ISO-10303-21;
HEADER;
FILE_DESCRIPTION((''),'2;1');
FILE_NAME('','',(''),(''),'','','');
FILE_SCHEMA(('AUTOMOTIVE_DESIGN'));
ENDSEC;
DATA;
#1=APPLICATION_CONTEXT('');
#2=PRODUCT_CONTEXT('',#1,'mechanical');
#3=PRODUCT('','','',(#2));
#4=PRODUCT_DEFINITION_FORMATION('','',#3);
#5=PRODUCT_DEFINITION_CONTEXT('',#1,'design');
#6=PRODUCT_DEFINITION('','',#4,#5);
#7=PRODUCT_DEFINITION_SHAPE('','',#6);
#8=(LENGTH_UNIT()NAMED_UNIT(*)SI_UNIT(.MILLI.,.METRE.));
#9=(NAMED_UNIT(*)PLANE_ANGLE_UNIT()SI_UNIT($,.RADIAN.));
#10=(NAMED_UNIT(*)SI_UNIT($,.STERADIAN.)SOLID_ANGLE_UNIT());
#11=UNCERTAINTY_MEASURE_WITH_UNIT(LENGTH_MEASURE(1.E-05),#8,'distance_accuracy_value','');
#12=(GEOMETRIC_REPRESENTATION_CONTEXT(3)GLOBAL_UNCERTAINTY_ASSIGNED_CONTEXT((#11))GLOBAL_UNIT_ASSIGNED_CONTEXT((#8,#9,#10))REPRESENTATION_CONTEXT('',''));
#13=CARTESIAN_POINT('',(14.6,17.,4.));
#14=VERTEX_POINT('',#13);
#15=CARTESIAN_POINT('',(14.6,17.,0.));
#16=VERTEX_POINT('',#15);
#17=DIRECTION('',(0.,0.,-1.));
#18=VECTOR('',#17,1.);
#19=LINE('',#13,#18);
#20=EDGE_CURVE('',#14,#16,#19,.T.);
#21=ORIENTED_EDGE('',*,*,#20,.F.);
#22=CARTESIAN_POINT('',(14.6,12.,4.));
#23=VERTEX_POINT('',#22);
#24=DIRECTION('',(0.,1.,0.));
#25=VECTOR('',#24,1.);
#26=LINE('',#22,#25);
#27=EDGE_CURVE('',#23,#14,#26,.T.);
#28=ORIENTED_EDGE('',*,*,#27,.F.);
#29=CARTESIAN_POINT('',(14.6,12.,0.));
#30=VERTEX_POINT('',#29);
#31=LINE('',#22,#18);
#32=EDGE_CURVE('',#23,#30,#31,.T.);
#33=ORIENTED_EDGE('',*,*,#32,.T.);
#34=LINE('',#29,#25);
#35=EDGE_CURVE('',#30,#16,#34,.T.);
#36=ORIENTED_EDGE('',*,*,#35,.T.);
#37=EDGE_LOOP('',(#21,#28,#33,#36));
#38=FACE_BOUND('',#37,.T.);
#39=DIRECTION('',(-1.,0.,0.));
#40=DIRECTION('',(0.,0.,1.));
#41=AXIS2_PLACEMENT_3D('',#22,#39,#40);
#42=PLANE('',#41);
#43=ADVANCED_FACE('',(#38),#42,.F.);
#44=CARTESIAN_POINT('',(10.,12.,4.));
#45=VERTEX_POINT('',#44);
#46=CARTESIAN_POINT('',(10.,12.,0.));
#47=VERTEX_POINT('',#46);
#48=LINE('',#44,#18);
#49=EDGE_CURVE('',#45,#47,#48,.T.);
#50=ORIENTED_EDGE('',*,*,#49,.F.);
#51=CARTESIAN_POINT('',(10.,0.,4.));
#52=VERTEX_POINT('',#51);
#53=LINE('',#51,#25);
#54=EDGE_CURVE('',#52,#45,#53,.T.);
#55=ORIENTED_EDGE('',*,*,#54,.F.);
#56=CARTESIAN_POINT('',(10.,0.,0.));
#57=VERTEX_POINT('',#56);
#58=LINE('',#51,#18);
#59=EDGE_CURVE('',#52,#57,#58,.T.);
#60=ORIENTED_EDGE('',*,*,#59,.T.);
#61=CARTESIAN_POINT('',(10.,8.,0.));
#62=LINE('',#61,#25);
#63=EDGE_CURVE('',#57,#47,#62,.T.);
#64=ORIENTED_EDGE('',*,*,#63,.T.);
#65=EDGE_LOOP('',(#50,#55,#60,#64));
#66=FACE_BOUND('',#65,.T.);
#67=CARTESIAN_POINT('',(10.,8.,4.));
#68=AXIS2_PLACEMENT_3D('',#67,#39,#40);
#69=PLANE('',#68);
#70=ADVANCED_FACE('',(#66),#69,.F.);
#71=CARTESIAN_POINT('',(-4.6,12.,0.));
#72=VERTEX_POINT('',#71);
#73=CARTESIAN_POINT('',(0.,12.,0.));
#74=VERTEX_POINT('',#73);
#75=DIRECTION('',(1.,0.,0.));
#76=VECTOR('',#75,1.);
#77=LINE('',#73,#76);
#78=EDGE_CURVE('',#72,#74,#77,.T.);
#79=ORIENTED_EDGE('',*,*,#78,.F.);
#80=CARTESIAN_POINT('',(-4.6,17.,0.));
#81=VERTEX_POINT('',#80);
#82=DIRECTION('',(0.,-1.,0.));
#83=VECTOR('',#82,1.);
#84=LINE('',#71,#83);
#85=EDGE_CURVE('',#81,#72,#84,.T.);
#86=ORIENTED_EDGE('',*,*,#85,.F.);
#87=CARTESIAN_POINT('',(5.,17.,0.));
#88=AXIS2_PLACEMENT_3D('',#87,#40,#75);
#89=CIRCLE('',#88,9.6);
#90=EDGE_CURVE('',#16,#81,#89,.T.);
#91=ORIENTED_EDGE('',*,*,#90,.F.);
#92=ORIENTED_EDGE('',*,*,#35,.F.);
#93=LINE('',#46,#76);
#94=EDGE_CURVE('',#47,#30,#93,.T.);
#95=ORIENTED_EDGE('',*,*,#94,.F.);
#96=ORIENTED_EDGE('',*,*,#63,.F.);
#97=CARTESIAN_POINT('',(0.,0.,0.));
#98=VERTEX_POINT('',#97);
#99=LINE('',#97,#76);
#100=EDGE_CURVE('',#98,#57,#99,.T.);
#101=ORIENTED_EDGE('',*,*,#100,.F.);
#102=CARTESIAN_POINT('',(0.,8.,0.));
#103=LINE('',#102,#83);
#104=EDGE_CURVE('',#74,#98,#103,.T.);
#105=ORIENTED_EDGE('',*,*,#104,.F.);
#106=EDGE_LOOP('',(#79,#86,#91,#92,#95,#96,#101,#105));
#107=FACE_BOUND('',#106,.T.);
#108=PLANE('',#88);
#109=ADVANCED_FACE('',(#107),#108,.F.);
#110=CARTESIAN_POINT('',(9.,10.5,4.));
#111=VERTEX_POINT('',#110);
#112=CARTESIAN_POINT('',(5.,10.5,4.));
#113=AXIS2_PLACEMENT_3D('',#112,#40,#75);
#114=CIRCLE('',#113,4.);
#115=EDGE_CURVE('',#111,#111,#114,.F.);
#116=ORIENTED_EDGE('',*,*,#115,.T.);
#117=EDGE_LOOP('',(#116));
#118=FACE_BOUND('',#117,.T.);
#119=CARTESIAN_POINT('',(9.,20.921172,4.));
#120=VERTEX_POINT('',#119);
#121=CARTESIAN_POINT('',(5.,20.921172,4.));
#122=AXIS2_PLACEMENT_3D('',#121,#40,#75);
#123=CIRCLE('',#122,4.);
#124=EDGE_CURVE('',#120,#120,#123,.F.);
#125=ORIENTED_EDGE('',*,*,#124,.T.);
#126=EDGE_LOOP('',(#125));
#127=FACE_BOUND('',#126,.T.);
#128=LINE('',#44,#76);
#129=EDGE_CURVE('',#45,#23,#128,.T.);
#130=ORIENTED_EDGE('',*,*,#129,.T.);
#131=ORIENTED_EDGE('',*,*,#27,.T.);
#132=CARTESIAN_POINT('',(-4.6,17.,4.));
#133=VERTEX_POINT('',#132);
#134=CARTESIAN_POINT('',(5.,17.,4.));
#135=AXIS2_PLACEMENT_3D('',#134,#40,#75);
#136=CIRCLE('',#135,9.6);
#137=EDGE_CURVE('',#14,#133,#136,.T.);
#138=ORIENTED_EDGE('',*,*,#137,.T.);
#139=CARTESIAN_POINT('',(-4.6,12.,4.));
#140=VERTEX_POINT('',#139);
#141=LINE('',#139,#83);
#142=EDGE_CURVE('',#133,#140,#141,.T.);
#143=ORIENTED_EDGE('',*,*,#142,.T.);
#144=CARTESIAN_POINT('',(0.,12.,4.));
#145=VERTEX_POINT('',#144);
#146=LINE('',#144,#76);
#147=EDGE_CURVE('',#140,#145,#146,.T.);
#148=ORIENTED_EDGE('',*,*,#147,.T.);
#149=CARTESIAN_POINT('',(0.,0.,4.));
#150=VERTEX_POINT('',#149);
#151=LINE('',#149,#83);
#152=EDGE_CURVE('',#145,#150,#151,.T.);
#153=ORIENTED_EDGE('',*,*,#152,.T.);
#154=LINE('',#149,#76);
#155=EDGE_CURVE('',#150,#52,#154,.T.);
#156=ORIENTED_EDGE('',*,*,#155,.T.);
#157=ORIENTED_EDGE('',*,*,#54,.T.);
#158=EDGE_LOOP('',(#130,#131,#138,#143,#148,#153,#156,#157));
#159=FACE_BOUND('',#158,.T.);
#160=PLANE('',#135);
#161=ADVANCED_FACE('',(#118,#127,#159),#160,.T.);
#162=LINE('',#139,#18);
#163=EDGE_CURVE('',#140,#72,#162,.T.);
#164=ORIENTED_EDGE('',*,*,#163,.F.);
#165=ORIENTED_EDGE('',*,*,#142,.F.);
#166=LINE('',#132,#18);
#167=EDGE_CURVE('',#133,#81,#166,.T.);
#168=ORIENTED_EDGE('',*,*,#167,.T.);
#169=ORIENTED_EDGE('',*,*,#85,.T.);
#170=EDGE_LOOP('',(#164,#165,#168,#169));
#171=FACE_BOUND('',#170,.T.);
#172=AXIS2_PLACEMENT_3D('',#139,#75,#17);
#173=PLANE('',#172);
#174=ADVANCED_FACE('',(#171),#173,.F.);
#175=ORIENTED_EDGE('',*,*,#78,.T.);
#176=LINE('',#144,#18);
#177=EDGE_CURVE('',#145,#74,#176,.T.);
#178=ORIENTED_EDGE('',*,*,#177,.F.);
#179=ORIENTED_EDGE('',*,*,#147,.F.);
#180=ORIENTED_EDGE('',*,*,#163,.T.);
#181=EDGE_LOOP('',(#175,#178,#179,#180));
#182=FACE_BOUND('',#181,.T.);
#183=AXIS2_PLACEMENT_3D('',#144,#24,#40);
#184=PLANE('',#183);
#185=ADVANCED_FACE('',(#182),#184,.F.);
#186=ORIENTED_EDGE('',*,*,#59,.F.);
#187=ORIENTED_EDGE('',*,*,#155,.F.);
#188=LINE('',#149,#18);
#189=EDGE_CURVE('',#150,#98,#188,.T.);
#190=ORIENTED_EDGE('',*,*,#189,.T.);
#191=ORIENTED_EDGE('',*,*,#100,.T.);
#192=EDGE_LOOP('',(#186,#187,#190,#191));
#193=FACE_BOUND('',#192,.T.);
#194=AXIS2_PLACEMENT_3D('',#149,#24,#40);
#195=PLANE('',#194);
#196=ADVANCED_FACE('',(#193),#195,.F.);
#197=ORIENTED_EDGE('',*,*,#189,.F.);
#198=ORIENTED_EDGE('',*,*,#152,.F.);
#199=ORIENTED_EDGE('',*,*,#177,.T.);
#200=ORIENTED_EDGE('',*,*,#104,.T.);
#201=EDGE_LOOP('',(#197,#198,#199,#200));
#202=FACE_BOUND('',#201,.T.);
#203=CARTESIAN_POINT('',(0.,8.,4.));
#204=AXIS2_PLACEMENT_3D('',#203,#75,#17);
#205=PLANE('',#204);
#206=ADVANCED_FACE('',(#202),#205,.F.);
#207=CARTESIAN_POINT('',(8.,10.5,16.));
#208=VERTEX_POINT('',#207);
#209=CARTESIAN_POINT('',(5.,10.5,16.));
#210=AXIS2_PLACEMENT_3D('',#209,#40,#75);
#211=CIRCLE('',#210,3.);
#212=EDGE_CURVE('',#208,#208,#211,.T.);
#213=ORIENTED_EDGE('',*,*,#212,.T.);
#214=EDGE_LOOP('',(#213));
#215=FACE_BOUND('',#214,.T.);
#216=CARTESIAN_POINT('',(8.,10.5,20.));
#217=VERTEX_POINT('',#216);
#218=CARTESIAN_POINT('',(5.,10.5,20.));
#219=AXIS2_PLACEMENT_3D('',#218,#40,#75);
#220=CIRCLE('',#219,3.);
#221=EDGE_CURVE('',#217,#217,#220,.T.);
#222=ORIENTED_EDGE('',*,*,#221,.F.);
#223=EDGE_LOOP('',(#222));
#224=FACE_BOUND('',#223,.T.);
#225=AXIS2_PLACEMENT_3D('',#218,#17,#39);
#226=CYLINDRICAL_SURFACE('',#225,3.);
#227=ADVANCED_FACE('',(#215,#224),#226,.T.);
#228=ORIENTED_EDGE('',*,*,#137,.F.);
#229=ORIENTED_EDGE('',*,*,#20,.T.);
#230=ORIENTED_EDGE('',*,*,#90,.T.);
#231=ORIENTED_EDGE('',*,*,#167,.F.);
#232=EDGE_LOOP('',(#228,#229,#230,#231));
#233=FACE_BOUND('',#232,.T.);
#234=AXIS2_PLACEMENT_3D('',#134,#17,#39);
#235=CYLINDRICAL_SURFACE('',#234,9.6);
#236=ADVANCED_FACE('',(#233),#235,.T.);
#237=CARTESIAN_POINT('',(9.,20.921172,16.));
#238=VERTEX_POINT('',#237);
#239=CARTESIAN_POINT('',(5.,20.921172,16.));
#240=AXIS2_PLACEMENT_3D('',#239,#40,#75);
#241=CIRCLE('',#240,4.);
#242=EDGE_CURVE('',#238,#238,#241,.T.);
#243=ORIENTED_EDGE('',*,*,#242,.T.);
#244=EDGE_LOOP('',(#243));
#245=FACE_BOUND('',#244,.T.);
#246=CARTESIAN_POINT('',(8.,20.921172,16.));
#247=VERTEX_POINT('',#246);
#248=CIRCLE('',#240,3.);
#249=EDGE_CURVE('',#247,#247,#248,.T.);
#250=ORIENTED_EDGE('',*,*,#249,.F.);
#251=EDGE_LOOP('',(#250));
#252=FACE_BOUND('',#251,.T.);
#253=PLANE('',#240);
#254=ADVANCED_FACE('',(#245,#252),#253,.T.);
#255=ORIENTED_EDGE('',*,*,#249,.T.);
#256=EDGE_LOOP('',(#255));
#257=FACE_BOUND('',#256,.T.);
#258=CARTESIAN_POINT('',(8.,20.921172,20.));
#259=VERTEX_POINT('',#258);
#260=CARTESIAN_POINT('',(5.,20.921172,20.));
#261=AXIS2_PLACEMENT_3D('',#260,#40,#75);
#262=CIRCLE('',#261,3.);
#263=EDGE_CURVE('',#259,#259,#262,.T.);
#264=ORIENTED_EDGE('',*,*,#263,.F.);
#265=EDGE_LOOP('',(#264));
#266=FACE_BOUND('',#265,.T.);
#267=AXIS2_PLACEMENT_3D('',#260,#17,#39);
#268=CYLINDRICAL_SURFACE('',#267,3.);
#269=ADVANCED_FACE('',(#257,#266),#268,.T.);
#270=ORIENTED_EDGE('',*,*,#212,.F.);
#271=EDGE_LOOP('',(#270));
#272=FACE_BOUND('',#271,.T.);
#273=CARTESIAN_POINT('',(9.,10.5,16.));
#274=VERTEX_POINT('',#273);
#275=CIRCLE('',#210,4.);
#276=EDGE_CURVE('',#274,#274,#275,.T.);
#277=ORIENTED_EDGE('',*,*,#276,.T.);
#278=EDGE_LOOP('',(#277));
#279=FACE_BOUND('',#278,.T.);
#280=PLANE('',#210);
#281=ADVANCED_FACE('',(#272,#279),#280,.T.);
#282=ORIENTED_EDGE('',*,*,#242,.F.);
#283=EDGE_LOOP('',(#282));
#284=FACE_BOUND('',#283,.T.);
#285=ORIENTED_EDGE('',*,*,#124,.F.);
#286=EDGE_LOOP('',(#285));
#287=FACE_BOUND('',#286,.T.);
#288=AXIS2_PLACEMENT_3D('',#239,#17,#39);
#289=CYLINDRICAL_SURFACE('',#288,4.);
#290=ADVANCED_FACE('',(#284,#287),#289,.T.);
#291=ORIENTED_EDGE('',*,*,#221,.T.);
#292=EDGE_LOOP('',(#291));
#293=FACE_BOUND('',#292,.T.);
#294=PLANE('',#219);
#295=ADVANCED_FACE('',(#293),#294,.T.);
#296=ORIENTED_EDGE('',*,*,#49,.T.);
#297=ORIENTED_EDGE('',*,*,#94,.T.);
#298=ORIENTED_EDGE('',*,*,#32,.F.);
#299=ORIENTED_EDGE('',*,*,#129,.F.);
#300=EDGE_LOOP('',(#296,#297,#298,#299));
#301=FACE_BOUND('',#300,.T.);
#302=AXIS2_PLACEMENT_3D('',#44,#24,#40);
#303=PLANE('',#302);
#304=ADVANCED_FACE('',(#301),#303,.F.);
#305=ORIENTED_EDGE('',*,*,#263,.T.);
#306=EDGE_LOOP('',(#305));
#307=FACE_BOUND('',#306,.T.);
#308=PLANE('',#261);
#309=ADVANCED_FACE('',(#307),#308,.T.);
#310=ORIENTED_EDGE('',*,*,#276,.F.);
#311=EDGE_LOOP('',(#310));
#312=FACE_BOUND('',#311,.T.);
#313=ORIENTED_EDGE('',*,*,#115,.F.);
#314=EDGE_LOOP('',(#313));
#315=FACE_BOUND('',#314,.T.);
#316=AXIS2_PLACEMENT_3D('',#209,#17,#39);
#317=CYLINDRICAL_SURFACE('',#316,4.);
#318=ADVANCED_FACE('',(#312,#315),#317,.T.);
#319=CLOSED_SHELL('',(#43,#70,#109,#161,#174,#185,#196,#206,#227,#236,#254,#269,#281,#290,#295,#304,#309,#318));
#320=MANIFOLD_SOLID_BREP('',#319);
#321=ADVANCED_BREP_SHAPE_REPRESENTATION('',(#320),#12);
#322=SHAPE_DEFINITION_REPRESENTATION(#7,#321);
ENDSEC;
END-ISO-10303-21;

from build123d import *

# Parameters (mm, degrees)
BOSS_EXTRUDE1_DEPTH = 4
SKETCH2_W           = 2.5
SKETCH2_H           = 4
CUT_EXTRUDE1_DEPTH  = 4
SKETCH4_R           = 4
BOSS_EXTRUDE2_DEPTH = 16
SKETCH5_R           = 3
BOSS_EXTRUDE3_DEPTH = 4


with BuildPart() as part:
    # Sketch1 → Boss-Extrude1 (new body)
    with BuildSketch(Plane.XY):
        with BuildLine():
            Line((0, 0), (10, 0))
            Line((10, 0), (10, 4))
            Line((10, 4), (12.5, 4))
            Line((12.5, 4), (12.5, 8))
            Line((12.5, 8), (10, 8))
            Line((10, 8), (10, 12))
            Line((10, 12), (14.6, 12))
            Line((14.6, 12), (14.6, 17))
            ThreePointArc((14.6, 17), (5, 26.6), (-4.6, 17))
            Line((-4.6, 17), (-4.6, 12))
            Line((-4.6, 12), (0, 12))
            Line((0, 12), (0, 8))
            Line((0, 8), (-2.5, 8))
            Line((-2.5, 8), (-2.5, 4))
            Line((-2.5, 4), (0, 4))
            Line((0, 4), (0, 0))
        make_face()
    extrude(amount=BOSS_EXTRUDE1_DEPTH)

    # Sketch2 → Cut-Extrude1 (cut)
    with BuildSketch(Plane.XY.offset(4)):
        with Locations((-1.25, 6)):
            Rectangle(SKETCH2_W, SKETCH2_H)
        with Locations((11.25, 6)):
            Rectangle(SKETCH2_W, SKETCH2_H)
    extrude(amount=-CUT_EXTRUDE1_DEPTH, mode=Mode.SUBTRACT)

    # Sketch4 → Boss-Extrude2 (add)
    with BuildSketch(Plane.XY):
        with Locations((5, 20.921172359)):
            Circle(SKETCH4_R)
        with Locations((5, 10.5)):
            Circle(SKETCH4_R)
    extrude(amount=BOSS_EXTRUDE2_DEPTH)

    # Sketch5 → Boss-Extrude3 (add)
    with BuildSketch(Plane.XY.offset(16)):
        with Locations((5, 10.5)):
            Circle(SKETCH5_R)
        with Locations((5, 20.921172359)):
            Circle(SKETCH5_R)
    extrude(amount=BOSS_EXTRUDE3_DEPTH)


solid = part.part
